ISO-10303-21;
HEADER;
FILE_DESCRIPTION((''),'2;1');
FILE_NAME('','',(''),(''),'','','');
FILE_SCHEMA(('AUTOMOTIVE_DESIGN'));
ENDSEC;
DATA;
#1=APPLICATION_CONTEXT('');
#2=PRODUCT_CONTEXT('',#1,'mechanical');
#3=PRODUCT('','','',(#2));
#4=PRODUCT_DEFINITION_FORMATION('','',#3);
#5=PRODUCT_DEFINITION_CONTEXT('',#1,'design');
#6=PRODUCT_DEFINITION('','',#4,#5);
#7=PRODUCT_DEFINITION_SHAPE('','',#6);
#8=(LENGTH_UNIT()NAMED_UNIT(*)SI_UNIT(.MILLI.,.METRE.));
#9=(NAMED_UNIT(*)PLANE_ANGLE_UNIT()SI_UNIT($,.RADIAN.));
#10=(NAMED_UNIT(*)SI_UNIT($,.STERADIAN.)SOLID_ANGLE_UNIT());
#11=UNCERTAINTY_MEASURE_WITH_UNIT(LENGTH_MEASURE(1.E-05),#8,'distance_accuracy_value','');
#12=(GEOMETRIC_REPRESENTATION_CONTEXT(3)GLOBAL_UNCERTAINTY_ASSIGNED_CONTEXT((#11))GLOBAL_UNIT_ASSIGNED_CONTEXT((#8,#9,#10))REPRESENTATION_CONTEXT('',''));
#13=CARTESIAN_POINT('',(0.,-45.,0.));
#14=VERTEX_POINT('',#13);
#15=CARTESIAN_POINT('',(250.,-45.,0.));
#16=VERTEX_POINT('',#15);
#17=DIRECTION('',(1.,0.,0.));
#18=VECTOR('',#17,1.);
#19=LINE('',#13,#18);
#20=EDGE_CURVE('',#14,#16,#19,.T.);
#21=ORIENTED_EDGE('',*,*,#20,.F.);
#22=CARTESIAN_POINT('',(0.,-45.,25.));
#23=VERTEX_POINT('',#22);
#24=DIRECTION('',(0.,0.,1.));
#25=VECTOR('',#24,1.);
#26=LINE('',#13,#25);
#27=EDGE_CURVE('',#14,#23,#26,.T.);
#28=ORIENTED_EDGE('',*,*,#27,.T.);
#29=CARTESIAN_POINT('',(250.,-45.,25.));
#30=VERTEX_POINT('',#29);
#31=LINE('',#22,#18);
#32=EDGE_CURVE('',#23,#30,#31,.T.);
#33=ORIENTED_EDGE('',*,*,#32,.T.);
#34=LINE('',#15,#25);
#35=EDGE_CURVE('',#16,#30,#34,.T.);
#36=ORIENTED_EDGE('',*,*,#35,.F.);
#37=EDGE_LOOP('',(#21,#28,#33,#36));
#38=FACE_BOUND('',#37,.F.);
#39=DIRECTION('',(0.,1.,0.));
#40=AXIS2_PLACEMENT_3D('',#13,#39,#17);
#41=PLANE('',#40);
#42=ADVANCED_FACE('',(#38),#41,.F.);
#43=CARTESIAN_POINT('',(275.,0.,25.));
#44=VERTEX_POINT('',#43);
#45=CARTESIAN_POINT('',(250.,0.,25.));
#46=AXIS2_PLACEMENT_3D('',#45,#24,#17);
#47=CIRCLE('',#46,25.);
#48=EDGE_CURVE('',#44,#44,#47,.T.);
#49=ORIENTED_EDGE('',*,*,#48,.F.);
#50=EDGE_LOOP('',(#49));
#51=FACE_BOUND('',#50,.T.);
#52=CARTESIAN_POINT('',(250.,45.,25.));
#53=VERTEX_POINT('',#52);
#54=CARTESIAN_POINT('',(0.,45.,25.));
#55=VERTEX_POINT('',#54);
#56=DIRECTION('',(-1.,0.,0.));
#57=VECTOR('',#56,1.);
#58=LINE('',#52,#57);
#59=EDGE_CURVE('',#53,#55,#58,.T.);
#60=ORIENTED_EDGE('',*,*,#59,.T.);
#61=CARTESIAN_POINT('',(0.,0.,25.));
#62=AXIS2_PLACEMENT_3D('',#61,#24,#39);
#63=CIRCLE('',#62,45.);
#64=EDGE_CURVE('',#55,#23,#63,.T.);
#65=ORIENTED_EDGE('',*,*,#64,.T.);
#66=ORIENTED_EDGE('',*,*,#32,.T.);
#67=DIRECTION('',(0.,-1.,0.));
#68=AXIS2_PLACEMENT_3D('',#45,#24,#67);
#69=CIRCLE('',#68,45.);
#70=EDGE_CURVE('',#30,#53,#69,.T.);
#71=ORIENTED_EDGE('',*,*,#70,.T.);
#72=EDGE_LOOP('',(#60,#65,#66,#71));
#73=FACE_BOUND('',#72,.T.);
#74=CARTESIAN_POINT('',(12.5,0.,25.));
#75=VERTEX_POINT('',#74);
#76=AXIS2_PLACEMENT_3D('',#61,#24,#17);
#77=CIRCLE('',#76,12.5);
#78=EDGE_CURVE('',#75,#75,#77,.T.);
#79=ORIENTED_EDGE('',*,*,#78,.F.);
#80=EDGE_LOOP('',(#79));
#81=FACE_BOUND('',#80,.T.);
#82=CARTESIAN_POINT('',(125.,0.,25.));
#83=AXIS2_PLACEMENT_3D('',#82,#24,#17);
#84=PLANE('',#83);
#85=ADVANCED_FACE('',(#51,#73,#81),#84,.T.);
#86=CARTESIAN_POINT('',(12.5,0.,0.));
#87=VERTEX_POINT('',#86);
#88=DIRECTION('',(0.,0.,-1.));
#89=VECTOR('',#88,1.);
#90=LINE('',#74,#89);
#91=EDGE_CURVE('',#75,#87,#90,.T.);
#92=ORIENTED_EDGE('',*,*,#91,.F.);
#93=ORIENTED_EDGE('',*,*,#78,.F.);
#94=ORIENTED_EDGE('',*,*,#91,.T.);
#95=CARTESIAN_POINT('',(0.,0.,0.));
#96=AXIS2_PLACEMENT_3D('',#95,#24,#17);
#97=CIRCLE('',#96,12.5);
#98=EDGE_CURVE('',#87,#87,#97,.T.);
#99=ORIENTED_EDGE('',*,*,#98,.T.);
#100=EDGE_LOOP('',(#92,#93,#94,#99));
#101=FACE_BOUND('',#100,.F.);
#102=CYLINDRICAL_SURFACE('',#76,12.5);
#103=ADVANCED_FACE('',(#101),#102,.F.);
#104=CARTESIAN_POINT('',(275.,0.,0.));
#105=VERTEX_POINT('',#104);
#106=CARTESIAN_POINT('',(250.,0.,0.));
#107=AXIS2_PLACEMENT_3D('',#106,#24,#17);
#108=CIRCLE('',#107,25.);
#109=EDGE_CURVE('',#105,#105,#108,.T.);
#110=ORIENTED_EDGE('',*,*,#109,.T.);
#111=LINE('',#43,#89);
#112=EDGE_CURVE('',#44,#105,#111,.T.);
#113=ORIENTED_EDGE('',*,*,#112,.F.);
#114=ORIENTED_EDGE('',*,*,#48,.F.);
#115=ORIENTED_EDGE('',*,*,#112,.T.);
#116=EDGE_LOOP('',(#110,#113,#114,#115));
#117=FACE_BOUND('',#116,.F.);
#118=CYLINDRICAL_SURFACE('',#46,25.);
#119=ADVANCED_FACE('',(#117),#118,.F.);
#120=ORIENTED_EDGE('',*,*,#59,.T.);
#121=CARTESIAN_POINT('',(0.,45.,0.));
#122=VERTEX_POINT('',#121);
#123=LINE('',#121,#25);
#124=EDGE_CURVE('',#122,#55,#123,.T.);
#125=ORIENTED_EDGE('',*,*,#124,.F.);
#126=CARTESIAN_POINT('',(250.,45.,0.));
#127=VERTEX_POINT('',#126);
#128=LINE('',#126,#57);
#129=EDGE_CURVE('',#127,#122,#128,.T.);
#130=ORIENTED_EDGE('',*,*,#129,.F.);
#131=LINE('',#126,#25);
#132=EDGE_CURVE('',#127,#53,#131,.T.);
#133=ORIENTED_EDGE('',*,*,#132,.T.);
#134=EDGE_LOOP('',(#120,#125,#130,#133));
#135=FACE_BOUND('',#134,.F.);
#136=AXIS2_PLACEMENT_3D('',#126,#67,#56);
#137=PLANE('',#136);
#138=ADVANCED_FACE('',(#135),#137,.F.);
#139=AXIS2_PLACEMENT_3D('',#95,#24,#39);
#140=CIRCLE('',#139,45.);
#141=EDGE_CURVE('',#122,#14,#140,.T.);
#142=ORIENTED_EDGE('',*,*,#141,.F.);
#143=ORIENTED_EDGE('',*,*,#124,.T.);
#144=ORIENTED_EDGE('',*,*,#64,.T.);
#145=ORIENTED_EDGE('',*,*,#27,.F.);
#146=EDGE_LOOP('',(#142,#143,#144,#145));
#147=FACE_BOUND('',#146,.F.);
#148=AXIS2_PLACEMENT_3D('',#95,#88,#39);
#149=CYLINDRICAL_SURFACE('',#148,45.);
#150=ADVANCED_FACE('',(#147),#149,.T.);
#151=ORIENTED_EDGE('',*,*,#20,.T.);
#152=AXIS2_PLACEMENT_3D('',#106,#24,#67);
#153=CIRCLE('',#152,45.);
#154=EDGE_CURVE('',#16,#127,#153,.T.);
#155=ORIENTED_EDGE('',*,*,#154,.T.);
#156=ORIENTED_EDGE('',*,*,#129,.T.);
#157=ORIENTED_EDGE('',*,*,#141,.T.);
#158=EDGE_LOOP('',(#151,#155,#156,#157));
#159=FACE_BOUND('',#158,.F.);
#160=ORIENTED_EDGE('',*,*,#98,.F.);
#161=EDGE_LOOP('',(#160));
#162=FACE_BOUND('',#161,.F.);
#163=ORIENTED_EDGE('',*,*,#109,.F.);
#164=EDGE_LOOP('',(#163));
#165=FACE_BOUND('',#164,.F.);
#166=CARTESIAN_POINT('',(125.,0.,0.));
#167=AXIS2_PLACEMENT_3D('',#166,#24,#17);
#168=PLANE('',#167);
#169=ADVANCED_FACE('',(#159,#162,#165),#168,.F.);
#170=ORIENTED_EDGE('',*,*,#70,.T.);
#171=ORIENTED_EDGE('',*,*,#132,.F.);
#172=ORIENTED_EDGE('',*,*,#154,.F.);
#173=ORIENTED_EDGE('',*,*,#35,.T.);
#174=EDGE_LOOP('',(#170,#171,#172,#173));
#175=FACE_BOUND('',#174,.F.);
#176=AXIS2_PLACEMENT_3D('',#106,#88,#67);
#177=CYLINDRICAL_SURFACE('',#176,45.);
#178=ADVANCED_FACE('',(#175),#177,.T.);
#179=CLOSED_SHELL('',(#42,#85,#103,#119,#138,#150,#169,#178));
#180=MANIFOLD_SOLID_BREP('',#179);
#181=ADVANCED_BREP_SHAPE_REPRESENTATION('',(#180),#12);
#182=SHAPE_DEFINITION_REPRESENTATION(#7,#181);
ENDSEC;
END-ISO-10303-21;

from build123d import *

# Parameters (mm, degrees)
F1_DEPTH = 25
F2_R     = 12.5
F2_R_2   = 25
F3_DEPTH = 25.001


with BuildPart() as f1:
    # F0 (on Top) → F1 (new body)
    with BuildSketch(Plane.XY):
        with BuildLine():
            Line((250, 45), (0, 45))
            ThreePointArc((0, 45), (-45, 0), (0, -45))
            Line((0, -45), (250, -45))
            ThreePointArc((250, -45), (295, 0), (250, 45))
        make_face()
    extrude(amount=F1_DEPTH)

    # F2 (on face) → F3 (cut, through all)
    with BuildSketch(Plane.XY.offset(25)):
        Circle(F2_R)
        with Locations((250, 0)):
            Circle(F2_R_2)
    extrude(amount=-F3_DEPTH, mode=Mode.SUBTRACT)


solid = f1.part
